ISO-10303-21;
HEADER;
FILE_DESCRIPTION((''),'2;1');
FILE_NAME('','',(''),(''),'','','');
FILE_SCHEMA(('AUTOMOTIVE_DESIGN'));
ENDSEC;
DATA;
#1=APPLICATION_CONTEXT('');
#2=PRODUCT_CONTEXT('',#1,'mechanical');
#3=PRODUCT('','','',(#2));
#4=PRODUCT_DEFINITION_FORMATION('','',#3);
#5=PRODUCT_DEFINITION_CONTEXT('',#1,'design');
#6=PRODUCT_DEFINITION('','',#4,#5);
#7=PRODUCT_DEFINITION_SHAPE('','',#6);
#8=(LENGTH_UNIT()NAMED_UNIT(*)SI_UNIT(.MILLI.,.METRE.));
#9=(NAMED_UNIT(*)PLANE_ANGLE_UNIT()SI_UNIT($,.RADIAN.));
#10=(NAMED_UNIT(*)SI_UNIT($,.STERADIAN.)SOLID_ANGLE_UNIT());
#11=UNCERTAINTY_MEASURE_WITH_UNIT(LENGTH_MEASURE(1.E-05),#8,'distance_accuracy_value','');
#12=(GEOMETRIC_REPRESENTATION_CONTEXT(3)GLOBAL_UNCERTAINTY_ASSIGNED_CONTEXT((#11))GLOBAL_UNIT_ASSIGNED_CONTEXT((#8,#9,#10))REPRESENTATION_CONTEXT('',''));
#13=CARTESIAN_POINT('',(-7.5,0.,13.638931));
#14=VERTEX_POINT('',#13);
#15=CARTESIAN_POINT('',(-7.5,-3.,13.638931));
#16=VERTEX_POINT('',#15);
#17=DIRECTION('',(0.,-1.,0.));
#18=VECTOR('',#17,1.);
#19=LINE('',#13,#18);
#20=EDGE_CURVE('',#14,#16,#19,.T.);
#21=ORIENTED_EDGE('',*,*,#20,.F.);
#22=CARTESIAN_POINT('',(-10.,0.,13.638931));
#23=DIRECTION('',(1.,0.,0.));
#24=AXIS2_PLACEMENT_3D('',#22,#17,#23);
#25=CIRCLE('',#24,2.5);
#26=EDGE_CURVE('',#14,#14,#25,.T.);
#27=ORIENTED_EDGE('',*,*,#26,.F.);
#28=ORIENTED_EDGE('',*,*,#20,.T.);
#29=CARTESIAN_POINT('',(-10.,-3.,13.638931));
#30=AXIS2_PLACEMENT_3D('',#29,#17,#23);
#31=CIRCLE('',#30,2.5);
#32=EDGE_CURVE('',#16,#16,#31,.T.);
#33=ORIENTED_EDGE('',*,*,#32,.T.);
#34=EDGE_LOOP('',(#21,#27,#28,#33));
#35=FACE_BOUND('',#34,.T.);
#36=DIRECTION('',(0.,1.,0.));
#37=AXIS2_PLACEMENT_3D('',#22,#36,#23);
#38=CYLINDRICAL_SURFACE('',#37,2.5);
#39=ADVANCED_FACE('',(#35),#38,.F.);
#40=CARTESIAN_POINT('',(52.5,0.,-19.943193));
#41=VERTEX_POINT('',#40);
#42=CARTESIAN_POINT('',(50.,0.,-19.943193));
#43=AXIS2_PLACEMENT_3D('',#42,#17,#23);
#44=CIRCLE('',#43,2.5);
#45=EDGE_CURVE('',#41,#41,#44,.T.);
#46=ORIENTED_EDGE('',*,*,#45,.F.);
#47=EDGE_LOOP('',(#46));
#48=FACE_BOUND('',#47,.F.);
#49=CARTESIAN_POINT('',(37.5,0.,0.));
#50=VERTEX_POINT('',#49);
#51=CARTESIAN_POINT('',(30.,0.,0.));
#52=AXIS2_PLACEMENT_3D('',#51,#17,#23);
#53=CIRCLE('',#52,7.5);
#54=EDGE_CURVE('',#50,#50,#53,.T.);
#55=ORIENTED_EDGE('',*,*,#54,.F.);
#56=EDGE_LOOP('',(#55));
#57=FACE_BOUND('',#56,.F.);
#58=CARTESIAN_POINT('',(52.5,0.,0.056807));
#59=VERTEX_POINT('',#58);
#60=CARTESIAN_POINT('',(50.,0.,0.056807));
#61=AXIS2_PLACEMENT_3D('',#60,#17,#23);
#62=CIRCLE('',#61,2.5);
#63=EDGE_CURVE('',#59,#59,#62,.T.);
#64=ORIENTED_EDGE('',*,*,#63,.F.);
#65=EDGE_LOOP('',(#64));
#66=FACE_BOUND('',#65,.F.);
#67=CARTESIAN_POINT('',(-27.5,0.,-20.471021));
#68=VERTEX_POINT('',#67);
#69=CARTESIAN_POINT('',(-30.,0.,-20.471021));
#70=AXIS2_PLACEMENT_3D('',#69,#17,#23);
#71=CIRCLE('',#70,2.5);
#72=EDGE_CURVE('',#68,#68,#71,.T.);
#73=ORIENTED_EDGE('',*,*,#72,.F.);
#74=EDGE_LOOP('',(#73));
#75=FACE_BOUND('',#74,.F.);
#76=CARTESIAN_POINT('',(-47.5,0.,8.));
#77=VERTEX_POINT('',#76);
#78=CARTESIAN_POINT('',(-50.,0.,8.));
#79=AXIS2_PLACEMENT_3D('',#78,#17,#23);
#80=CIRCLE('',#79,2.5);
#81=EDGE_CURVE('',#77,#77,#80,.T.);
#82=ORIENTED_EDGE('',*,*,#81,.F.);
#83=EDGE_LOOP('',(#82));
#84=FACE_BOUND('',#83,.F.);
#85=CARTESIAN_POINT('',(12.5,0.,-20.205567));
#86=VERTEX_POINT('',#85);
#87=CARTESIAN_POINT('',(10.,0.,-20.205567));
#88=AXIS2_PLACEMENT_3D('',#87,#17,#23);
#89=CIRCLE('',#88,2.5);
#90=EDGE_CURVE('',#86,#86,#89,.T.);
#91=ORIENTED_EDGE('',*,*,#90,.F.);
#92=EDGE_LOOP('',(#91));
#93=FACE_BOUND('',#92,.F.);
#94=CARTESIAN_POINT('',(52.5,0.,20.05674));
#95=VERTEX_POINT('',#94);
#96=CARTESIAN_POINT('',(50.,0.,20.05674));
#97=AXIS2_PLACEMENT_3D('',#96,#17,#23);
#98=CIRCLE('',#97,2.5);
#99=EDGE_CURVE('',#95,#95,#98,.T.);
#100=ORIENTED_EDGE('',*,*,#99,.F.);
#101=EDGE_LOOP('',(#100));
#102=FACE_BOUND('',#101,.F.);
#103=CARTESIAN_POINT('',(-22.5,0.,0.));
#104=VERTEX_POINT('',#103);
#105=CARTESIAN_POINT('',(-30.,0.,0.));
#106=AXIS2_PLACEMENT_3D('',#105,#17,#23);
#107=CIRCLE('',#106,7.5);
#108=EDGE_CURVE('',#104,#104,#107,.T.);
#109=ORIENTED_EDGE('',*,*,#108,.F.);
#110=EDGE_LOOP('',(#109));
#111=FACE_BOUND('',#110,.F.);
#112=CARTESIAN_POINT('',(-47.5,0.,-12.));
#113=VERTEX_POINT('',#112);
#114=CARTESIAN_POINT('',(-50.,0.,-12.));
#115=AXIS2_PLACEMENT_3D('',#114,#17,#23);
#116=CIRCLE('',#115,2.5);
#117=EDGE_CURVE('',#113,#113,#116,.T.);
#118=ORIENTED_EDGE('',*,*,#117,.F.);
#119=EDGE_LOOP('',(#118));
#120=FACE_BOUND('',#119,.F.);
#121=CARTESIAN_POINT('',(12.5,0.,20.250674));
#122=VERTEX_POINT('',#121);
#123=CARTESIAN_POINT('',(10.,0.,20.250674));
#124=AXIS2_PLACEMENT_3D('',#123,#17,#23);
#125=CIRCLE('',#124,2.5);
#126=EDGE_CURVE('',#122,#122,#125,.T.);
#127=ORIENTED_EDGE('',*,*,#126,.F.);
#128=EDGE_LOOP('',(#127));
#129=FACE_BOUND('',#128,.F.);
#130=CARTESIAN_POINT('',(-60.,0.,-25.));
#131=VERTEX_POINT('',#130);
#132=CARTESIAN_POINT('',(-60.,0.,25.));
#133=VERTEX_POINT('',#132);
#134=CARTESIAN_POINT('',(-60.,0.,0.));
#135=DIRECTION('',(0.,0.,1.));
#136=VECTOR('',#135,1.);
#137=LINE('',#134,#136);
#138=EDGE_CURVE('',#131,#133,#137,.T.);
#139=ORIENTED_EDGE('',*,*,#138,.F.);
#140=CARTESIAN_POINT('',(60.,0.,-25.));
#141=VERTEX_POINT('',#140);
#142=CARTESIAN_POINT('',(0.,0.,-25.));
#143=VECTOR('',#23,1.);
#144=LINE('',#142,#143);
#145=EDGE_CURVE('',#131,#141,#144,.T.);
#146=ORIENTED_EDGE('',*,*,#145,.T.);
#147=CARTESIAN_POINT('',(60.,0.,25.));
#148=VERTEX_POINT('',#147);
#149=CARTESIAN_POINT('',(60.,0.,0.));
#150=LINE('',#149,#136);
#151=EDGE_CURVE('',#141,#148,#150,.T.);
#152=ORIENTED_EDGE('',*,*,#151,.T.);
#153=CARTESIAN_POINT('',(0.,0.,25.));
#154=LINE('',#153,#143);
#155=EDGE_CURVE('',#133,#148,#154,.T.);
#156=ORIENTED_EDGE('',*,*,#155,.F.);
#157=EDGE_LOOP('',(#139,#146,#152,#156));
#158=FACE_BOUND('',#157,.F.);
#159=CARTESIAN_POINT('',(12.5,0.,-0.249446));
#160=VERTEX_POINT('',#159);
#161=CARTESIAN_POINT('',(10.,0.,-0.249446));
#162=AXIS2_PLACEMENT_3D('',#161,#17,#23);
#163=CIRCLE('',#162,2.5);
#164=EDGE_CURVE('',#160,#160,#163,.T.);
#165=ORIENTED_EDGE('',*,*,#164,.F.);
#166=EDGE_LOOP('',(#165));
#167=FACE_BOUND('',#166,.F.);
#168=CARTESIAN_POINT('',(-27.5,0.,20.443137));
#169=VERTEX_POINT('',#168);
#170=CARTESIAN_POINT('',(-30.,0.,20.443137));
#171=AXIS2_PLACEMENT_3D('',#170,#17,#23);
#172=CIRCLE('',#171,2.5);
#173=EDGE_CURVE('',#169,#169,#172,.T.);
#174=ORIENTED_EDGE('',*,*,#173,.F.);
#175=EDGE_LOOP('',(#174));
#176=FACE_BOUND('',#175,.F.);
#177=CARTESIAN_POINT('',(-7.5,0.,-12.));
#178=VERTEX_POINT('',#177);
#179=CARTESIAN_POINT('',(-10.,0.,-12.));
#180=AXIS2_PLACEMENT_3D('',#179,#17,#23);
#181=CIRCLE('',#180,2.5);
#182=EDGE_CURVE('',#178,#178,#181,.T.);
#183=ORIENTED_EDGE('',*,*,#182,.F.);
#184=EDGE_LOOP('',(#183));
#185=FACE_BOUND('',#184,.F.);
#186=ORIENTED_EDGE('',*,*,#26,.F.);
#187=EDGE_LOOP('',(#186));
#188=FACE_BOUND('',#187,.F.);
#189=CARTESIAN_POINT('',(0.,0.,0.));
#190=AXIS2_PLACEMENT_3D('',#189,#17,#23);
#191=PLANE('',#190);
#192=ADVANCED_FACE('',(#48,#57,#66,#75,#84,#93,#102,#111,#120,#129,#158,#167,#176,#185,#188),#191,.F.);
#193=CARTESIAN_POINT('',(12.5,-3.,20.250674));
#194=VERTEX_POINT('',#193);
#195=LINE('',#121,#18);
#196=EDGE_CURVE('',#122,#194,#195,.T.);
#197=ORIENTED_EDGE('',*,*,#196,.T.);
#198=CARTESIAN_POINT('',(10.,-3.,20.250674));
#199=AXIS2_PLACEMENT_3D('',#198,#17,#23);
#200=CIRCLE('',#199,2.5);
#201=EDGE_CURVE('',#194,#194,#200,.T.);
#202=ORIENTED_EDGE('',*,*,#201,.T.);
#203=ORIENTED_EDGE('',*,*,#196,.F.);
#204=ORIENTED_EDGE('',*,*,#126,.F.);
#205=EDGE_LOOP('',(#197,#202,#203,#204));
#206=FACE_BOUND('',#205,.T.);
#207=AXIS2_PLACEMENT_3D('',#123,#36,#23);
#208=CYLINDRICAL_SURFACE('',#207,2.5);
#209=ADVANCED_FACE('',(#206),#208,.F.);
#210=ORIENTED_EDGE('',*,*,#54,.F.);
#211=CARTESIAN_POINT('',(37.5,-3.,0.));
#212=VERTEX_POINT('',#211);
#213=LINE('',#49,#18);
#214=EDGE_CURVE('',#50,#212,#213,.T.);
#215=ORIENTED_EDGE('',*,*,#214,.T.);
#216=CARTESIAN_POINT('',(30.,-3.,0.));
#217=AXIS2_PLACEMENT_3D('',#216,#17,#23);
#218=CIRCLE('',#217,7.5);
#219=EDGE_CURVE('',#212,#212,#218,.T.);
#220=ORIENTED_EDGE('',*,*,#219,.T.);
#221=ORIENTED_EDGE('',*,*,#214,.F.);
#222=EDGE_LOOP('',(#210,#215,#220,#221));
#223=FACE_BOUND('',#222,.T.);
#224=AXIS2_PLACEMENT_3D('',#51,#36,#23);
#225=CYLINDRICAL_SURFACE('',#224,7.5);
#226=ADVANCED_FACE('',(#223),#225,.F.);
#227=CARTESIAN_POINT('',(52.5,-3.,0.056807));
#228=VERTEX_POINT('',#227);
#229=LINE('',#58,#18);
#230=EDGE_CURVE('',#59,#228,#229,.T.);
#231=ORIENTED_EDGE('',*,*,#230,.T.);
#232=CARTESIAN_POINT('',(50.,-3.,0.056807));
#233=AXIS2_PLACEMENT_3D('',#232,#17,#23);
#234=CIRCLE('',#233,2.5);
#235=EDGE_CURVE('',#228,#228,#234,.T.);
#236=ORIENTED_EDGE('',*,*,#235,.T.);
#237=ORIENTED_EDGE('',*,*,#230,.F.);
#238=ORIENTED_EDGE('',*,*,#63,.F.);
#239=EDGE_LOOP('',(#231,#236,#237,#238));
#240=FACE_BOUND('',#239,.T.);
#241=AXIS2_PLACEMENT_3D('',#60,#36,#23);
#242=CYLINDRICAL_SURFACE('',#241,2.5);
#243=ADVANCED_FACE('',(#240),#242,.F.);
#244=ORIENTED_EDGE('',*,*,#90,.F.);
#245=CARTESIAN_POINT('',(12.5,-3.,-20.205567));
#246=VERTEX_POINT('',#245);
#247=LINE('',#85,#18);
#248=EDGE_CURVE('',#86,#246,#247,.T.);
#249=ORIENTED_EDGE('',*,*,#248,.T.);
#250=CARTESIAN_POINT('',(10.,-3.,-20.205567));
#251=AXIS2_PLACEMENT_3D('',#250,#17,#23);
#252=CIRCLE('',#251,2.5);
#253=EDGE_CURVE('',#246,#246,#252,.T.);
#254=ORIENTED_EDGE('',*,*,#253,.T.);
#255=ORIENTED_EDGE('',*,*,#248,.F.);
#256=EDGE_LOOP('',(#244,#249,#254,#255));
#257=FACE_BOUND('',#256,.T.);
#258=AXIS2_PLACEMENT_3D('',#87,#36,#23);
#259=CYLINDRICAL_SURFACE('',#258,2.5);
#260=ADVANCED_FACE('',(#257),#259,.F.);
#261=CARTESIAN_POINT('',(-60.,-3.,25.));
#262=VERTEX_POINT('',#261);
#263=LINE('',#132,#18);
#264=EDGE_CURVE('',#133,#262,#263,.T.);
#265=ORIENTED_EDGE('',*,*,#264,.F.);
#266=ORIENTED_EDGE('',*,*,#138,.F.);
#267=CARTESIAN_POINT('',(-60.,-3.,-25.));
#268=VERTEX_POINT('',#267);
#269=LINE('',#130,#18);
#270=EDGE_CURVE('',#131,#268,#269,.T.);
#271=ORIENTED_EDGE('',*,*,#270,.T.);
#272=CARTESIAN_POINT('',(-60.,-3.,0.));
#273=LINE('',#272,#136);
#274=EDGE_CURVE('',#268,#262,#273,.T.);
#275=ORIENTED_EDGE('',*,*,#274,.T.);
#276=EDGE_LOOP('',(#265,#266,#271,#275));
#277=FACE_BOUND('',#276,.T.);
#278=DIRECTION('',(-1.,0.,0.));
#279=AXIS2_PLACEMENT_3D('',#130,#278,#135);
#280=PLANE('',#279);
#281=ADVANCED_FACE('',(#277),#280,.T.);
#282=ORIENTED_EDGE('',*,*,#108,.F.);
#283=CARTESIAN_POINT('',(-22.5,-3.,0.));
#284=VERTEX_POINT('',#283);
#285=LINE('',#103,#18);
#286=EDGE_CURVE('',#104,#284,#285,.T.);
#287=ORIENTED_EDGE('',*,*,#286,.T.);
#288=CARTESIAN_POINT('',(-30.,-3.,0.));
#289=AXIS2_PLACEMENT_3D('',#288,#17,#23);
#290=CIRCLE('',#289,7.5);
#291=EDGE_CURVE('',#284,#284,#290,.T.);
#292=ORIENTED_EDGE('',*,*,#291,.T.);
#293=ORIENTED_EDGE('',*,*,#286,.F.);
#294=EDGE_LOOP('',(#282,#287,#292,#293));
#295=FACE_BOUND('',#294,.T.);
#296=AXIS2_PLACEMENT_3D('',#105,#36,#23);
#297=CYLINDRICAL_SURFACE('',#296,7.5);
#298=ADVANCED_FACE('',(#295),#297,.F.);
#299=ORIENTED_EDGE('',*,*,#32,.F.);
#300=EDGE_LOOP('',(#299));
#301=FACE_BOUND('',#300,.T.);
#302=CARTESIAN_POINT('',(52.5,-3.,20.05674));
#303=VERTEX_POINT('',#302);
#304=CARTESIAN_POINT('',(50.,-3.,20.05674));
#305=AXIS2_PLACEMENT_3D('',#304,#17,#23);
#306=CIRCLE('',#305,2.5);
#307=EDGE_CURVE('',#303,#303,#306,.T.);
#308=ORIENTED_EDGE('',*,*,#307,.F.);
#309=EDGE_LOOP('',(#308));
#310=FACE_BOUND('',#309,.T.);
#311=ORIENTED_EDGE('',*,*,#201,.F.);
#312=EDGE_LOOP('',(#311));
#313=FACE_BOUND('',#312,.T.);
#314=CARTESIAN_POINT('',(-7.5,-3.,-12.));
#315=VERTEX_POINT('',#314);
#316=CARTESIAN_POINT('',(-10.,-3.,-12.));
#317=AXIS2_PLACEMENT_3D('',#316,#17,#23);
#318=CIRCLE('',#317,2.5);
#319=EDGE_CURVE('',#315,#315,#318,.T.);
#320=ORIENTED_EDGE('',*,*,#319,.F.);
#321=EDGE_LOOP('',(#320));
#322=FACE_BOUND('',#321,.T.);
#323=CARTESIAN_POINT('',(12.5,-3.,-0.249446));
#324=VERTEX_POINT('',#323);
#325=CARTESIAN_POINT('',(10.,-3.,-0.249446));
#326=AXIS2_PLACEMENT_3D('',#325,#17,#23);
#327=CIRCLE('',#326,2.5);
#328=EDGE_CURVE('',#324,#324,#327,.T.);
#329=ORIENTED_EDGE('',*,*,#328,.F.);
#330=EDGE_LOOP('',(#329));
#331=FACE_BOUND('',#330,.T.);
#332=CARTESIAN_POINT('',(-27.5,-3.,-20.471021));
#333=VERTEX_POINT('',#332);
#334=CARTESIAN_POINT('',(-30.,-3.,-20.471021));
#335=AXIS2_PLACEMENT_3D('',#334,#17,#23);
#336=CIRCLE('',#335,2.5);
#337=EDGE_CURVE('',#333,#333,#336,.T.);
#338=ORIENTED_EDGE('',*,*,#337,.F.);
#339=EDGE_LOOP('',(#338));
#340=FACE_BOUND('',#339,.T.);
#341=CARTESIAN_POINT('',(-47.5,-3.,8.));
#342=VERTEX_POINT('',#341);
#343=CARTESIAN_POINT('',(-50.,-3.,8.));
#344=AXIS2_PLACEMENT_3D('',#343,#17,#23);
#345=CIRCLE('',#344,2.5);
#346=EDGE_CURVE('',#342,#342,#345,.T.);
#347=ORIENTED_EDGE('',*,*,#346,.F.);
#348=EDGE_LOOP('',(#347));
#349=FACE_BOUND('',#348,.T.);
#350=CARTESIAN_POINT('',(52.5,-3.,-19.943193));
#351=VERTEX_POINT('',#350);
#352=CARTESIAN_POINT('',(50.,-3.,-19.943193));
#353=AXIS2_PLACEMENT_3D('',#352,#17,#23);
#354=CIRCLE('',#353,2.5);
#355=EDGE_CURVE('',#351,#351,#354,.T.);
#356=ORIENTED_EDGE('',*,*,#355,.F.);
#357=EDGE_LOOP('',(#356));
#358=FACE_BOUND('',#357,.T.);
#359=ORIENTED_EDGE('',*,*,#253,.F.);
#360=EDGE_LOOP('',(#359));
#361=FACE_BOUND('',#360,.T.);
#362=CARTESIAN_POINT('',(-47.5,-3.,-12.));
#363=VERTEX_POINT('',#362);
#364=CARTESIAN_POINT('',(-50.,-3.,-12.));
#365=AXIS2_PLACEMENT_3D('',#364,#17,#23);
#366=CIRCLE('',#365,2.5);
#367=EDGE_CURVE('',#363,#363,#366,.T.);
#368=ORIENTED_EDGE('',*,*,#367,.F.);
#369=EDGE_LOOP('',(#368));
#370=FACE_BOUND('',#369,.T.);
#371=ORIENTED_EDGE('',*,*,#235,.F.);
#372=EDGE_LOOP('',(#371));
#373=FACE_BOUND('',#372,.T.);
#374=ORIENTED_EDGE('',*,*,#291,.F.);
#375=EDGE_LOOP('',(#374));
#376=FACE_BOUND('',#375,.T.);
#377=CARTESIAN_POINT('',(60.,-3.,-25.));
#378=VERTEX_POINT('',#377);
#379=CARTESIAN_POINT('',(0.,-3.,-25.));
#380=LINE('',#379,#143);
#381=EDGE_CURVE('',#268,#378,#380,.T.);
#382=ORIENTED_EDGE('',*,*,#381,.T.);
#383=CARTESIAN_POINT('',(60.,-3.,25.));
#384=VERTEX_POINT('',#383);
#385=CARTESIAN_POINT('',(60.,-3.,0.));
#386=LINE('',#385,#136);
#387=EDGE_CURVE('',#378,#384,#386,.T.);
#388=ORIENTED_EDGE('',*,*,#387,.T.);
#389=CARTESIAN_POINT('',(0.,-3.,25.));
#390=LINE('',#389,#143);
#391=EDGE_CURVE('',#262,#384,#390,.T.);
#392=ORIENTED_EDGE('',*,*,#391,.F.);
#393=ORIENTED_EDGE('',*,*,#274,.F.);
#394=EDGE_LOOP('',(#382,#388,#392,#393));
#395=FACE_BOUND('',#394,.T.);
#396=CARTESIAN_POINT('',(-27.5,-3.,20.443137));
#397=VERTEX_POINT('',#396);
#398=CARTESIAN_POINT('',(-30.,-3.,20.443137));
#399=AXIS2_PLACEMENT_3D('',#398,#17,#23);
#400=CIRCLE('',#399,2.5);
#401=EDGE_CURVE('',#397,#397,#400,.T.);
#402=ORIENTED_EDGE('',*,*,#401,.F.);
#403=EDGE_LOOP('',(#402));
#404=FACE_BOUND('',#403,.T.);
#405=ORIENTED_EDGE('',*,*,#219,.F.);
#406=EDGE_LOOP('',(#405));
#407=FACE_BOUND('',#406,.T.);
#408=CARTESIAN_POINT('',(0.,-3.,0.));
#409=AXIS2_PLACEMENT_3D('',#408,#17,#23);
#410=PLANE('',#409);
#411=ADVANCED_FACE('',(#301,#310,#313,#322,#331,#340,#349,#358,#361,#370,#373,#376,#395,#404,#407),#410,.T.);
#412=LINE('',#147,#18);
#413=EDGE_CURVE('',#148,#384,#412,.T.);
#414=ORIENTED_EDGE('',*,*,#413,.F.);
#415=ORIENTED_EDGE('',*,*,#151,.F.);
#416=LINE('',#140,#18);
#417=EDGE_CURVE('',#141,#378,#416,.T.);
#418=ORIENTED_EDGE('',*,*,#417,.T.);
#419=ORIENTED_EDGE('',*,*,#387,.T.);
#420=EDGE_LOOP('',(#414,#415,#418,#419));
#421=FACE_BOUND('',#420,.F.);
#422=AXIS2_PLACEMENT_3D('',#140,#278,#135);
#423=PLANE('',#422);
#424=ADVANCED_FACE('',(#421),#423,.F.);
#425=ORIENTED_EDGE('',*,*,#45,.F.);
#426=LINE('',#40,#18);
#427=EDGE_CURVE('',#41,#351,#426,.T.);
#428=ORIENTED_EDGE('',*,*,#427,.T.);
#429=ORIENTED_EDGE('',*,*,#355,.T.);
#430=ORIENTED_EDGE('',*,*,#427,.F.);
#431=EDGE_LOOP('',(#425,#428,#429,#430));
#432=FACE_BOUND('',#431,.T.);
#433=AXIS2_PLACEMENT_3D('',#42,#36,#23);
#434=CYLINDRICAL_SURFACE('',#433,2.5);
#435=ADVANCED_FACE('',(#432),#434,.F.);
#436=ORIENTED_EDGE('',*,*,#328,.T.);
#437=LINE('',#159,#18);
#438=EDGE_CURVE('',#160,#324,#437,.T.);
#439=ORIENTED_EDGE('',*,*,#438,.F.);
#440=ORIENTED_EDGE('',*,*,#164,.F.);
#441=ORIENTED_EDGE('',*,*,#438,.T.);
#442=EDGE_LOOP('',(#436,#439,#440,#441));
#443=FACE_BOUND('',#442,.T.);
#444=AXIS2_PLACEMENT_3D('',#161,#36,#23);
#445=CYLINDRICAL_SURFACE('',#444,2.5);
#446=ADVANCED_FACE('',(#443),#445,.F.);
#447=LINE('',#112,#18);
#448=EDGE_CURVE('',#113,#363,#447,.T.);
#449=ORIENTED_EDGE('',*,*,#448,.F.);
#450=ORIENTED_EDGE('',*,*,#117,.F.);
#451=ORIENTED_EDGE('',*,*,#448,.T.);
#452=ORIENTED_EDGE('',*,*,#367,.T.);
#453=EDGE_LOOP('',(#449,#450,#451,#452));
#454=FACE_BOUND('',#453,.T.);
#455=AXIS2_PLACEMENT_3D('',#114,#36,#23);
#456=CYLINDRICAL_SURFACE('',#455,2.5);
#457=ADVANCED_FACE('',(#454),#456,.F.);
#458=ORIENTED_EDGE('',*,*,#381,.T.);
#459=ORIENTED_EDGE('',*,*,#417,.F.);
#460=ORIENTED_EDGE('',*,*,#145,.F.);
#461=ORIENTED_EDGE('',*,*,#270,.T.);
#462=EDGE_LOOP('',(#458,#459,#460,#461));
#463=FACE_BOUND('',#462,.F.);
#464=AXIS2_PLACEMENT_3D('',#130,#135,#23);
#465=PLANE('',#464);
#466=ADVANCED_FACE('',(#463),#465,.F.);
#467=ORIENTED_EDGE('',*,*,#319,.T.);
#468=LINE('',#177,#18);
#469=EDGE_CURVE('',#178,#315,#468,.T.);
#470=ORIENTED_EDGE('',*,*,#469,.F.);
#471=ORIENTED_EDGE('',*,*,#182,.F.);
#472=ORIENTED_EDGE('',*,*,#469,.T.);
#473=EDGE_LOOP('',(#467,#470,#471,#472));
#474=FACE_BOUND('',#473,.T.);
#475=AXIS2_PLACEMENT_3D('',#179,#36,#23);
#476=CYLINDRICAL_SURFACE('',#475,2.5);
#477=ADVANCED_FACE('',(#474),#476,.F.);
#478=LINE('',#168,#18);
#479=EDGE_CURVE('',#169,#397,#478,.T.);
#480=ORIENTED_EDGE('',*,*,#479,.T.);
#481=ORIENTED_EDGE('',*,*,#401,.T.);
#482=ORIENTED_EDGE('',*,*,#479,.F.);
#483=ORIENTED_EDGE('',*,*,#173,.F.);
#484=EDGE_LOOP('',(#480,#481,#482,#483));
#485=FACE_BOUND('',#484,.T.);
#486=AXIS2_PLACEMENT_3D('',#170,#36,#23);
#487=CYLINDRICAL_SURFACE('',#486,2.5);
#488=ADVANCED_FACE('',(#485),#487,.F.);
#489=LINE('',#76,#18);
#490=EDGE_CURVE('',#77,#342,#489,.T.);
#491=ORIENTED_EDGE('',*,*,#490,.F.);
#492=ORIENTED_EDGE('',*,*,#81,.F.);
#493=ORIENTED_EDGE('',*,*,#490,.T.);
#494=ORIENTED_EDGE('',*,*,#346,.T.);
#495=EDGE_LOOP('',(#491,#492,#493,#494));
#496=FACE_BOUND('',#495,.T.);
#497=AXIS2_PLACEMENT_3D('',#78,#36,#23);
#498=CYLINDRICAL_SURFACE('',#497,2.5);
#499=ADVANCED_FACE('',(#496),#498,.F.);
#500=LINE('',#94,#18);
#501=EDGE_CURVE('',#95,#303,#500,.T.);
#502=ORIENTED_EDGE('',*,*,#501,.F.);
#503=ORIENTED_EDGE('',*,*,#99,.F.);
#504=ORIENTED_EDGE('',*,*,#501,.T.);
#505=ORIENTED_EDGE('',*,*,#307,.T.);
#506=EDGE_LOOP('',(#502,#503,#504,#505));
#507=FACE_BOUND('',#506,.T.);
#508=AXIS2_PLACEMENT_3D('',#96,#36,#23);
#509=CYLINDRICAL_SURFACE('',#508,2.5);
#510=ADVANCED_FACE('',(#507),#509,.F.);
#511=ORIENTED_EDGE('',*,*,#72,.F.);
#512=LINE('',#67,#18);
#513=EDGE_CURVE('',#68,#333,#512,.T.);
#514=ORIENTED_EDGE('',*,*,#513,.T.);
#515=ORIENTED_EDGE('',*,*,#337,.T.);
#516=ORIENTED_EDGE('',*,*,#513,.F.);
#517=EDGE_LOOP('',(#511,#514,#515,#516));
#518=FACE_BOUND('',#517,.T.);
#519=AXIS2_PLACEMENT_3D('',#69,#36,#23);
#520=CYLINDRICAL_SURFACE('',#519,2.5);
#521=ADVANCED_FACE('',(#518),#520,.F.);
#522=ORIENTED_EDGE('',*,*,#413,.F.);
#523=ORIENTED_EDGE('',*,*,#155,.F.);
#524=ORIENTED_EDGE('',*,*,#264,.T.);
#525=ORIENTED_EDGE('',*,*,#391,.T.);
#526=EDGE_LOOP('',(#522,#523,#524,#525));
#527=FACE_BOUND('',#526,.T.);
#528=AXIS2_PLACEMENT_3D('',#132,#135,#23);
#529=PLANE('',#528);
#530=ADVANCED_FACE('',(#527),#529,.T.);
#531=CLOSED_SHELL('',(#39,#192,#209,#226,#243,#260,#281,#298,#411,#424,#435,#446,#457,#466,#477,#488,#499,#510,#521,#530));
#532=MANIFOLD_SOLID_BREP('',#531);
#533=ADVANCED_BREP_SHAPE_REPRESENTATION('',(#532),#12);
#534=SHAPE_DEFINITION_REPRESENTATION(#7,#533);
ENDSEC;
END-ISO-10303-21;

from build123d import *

# Parameters (mm, degrees)
F0_W     = 120
F0_H     = 50
F0_R     = 2.5
F0_R_2   = 7.5
F1_DEPTH = 3


with BuildPart() as f1:
    # F0 (on Front) → F1 (new body)
    with BuildSketch(Plane.XZ):
        Rectangle(F0_W, F0_H)
        with Locations((-30, -20.471021)):
            Circle(F0_R, mode=Mode.SUBTRACT)
        with Locations((-50, -12)):
            Circle(F0_R, mode=Mode.SUBTRACT)
        with Locations((-10, -12)):
            Circle(F0_R, mode=Mode.SUBTRACT)
        with Locations((10, -20.205567)):
            Circle(F0_R, mode=Mode.SUBTRACT)
        with Locations((50, -19.943193)):
            Circle(F0_R, mode=Mode.SUBTRACT)
        with Locations((10, -0.249446)):
            Circle(F0_R, mode=Mode.SUBTRACT)
        with Locations((-50, 8)):
            Circle(F0_R, mode=Mode.SUBTRACT)
        with Locations((-30, 0)):
            Circle(F0_R_2, mode=Mode.SUBTRACT)
        with Locations((-10, 13.638931)):
            Circle(F0_R, mode=Mode.SUBTRACT)
        with Locations((-30, 20.443137)):
            Circle(F0_R, mode=Mode.SUBTRACT)
        with Locations((30, 0)):
            Circle(F0_R_2, mode=Mode.SUBTRACT)
        with Locations((50, 0.056807)):
            Circle(F0_R, mode=Mode.SUBTRACT)
        with Locations((10, 20.250674)):
            Circle(F0_R, mode=Mode.SUBTRACT)
        with Locations((50, 20.05674)):
            Circle(F0_R, mode=Mode.SUBTRACT)
    extrude(amount=F1_DEPTH)


solid = f1.part
